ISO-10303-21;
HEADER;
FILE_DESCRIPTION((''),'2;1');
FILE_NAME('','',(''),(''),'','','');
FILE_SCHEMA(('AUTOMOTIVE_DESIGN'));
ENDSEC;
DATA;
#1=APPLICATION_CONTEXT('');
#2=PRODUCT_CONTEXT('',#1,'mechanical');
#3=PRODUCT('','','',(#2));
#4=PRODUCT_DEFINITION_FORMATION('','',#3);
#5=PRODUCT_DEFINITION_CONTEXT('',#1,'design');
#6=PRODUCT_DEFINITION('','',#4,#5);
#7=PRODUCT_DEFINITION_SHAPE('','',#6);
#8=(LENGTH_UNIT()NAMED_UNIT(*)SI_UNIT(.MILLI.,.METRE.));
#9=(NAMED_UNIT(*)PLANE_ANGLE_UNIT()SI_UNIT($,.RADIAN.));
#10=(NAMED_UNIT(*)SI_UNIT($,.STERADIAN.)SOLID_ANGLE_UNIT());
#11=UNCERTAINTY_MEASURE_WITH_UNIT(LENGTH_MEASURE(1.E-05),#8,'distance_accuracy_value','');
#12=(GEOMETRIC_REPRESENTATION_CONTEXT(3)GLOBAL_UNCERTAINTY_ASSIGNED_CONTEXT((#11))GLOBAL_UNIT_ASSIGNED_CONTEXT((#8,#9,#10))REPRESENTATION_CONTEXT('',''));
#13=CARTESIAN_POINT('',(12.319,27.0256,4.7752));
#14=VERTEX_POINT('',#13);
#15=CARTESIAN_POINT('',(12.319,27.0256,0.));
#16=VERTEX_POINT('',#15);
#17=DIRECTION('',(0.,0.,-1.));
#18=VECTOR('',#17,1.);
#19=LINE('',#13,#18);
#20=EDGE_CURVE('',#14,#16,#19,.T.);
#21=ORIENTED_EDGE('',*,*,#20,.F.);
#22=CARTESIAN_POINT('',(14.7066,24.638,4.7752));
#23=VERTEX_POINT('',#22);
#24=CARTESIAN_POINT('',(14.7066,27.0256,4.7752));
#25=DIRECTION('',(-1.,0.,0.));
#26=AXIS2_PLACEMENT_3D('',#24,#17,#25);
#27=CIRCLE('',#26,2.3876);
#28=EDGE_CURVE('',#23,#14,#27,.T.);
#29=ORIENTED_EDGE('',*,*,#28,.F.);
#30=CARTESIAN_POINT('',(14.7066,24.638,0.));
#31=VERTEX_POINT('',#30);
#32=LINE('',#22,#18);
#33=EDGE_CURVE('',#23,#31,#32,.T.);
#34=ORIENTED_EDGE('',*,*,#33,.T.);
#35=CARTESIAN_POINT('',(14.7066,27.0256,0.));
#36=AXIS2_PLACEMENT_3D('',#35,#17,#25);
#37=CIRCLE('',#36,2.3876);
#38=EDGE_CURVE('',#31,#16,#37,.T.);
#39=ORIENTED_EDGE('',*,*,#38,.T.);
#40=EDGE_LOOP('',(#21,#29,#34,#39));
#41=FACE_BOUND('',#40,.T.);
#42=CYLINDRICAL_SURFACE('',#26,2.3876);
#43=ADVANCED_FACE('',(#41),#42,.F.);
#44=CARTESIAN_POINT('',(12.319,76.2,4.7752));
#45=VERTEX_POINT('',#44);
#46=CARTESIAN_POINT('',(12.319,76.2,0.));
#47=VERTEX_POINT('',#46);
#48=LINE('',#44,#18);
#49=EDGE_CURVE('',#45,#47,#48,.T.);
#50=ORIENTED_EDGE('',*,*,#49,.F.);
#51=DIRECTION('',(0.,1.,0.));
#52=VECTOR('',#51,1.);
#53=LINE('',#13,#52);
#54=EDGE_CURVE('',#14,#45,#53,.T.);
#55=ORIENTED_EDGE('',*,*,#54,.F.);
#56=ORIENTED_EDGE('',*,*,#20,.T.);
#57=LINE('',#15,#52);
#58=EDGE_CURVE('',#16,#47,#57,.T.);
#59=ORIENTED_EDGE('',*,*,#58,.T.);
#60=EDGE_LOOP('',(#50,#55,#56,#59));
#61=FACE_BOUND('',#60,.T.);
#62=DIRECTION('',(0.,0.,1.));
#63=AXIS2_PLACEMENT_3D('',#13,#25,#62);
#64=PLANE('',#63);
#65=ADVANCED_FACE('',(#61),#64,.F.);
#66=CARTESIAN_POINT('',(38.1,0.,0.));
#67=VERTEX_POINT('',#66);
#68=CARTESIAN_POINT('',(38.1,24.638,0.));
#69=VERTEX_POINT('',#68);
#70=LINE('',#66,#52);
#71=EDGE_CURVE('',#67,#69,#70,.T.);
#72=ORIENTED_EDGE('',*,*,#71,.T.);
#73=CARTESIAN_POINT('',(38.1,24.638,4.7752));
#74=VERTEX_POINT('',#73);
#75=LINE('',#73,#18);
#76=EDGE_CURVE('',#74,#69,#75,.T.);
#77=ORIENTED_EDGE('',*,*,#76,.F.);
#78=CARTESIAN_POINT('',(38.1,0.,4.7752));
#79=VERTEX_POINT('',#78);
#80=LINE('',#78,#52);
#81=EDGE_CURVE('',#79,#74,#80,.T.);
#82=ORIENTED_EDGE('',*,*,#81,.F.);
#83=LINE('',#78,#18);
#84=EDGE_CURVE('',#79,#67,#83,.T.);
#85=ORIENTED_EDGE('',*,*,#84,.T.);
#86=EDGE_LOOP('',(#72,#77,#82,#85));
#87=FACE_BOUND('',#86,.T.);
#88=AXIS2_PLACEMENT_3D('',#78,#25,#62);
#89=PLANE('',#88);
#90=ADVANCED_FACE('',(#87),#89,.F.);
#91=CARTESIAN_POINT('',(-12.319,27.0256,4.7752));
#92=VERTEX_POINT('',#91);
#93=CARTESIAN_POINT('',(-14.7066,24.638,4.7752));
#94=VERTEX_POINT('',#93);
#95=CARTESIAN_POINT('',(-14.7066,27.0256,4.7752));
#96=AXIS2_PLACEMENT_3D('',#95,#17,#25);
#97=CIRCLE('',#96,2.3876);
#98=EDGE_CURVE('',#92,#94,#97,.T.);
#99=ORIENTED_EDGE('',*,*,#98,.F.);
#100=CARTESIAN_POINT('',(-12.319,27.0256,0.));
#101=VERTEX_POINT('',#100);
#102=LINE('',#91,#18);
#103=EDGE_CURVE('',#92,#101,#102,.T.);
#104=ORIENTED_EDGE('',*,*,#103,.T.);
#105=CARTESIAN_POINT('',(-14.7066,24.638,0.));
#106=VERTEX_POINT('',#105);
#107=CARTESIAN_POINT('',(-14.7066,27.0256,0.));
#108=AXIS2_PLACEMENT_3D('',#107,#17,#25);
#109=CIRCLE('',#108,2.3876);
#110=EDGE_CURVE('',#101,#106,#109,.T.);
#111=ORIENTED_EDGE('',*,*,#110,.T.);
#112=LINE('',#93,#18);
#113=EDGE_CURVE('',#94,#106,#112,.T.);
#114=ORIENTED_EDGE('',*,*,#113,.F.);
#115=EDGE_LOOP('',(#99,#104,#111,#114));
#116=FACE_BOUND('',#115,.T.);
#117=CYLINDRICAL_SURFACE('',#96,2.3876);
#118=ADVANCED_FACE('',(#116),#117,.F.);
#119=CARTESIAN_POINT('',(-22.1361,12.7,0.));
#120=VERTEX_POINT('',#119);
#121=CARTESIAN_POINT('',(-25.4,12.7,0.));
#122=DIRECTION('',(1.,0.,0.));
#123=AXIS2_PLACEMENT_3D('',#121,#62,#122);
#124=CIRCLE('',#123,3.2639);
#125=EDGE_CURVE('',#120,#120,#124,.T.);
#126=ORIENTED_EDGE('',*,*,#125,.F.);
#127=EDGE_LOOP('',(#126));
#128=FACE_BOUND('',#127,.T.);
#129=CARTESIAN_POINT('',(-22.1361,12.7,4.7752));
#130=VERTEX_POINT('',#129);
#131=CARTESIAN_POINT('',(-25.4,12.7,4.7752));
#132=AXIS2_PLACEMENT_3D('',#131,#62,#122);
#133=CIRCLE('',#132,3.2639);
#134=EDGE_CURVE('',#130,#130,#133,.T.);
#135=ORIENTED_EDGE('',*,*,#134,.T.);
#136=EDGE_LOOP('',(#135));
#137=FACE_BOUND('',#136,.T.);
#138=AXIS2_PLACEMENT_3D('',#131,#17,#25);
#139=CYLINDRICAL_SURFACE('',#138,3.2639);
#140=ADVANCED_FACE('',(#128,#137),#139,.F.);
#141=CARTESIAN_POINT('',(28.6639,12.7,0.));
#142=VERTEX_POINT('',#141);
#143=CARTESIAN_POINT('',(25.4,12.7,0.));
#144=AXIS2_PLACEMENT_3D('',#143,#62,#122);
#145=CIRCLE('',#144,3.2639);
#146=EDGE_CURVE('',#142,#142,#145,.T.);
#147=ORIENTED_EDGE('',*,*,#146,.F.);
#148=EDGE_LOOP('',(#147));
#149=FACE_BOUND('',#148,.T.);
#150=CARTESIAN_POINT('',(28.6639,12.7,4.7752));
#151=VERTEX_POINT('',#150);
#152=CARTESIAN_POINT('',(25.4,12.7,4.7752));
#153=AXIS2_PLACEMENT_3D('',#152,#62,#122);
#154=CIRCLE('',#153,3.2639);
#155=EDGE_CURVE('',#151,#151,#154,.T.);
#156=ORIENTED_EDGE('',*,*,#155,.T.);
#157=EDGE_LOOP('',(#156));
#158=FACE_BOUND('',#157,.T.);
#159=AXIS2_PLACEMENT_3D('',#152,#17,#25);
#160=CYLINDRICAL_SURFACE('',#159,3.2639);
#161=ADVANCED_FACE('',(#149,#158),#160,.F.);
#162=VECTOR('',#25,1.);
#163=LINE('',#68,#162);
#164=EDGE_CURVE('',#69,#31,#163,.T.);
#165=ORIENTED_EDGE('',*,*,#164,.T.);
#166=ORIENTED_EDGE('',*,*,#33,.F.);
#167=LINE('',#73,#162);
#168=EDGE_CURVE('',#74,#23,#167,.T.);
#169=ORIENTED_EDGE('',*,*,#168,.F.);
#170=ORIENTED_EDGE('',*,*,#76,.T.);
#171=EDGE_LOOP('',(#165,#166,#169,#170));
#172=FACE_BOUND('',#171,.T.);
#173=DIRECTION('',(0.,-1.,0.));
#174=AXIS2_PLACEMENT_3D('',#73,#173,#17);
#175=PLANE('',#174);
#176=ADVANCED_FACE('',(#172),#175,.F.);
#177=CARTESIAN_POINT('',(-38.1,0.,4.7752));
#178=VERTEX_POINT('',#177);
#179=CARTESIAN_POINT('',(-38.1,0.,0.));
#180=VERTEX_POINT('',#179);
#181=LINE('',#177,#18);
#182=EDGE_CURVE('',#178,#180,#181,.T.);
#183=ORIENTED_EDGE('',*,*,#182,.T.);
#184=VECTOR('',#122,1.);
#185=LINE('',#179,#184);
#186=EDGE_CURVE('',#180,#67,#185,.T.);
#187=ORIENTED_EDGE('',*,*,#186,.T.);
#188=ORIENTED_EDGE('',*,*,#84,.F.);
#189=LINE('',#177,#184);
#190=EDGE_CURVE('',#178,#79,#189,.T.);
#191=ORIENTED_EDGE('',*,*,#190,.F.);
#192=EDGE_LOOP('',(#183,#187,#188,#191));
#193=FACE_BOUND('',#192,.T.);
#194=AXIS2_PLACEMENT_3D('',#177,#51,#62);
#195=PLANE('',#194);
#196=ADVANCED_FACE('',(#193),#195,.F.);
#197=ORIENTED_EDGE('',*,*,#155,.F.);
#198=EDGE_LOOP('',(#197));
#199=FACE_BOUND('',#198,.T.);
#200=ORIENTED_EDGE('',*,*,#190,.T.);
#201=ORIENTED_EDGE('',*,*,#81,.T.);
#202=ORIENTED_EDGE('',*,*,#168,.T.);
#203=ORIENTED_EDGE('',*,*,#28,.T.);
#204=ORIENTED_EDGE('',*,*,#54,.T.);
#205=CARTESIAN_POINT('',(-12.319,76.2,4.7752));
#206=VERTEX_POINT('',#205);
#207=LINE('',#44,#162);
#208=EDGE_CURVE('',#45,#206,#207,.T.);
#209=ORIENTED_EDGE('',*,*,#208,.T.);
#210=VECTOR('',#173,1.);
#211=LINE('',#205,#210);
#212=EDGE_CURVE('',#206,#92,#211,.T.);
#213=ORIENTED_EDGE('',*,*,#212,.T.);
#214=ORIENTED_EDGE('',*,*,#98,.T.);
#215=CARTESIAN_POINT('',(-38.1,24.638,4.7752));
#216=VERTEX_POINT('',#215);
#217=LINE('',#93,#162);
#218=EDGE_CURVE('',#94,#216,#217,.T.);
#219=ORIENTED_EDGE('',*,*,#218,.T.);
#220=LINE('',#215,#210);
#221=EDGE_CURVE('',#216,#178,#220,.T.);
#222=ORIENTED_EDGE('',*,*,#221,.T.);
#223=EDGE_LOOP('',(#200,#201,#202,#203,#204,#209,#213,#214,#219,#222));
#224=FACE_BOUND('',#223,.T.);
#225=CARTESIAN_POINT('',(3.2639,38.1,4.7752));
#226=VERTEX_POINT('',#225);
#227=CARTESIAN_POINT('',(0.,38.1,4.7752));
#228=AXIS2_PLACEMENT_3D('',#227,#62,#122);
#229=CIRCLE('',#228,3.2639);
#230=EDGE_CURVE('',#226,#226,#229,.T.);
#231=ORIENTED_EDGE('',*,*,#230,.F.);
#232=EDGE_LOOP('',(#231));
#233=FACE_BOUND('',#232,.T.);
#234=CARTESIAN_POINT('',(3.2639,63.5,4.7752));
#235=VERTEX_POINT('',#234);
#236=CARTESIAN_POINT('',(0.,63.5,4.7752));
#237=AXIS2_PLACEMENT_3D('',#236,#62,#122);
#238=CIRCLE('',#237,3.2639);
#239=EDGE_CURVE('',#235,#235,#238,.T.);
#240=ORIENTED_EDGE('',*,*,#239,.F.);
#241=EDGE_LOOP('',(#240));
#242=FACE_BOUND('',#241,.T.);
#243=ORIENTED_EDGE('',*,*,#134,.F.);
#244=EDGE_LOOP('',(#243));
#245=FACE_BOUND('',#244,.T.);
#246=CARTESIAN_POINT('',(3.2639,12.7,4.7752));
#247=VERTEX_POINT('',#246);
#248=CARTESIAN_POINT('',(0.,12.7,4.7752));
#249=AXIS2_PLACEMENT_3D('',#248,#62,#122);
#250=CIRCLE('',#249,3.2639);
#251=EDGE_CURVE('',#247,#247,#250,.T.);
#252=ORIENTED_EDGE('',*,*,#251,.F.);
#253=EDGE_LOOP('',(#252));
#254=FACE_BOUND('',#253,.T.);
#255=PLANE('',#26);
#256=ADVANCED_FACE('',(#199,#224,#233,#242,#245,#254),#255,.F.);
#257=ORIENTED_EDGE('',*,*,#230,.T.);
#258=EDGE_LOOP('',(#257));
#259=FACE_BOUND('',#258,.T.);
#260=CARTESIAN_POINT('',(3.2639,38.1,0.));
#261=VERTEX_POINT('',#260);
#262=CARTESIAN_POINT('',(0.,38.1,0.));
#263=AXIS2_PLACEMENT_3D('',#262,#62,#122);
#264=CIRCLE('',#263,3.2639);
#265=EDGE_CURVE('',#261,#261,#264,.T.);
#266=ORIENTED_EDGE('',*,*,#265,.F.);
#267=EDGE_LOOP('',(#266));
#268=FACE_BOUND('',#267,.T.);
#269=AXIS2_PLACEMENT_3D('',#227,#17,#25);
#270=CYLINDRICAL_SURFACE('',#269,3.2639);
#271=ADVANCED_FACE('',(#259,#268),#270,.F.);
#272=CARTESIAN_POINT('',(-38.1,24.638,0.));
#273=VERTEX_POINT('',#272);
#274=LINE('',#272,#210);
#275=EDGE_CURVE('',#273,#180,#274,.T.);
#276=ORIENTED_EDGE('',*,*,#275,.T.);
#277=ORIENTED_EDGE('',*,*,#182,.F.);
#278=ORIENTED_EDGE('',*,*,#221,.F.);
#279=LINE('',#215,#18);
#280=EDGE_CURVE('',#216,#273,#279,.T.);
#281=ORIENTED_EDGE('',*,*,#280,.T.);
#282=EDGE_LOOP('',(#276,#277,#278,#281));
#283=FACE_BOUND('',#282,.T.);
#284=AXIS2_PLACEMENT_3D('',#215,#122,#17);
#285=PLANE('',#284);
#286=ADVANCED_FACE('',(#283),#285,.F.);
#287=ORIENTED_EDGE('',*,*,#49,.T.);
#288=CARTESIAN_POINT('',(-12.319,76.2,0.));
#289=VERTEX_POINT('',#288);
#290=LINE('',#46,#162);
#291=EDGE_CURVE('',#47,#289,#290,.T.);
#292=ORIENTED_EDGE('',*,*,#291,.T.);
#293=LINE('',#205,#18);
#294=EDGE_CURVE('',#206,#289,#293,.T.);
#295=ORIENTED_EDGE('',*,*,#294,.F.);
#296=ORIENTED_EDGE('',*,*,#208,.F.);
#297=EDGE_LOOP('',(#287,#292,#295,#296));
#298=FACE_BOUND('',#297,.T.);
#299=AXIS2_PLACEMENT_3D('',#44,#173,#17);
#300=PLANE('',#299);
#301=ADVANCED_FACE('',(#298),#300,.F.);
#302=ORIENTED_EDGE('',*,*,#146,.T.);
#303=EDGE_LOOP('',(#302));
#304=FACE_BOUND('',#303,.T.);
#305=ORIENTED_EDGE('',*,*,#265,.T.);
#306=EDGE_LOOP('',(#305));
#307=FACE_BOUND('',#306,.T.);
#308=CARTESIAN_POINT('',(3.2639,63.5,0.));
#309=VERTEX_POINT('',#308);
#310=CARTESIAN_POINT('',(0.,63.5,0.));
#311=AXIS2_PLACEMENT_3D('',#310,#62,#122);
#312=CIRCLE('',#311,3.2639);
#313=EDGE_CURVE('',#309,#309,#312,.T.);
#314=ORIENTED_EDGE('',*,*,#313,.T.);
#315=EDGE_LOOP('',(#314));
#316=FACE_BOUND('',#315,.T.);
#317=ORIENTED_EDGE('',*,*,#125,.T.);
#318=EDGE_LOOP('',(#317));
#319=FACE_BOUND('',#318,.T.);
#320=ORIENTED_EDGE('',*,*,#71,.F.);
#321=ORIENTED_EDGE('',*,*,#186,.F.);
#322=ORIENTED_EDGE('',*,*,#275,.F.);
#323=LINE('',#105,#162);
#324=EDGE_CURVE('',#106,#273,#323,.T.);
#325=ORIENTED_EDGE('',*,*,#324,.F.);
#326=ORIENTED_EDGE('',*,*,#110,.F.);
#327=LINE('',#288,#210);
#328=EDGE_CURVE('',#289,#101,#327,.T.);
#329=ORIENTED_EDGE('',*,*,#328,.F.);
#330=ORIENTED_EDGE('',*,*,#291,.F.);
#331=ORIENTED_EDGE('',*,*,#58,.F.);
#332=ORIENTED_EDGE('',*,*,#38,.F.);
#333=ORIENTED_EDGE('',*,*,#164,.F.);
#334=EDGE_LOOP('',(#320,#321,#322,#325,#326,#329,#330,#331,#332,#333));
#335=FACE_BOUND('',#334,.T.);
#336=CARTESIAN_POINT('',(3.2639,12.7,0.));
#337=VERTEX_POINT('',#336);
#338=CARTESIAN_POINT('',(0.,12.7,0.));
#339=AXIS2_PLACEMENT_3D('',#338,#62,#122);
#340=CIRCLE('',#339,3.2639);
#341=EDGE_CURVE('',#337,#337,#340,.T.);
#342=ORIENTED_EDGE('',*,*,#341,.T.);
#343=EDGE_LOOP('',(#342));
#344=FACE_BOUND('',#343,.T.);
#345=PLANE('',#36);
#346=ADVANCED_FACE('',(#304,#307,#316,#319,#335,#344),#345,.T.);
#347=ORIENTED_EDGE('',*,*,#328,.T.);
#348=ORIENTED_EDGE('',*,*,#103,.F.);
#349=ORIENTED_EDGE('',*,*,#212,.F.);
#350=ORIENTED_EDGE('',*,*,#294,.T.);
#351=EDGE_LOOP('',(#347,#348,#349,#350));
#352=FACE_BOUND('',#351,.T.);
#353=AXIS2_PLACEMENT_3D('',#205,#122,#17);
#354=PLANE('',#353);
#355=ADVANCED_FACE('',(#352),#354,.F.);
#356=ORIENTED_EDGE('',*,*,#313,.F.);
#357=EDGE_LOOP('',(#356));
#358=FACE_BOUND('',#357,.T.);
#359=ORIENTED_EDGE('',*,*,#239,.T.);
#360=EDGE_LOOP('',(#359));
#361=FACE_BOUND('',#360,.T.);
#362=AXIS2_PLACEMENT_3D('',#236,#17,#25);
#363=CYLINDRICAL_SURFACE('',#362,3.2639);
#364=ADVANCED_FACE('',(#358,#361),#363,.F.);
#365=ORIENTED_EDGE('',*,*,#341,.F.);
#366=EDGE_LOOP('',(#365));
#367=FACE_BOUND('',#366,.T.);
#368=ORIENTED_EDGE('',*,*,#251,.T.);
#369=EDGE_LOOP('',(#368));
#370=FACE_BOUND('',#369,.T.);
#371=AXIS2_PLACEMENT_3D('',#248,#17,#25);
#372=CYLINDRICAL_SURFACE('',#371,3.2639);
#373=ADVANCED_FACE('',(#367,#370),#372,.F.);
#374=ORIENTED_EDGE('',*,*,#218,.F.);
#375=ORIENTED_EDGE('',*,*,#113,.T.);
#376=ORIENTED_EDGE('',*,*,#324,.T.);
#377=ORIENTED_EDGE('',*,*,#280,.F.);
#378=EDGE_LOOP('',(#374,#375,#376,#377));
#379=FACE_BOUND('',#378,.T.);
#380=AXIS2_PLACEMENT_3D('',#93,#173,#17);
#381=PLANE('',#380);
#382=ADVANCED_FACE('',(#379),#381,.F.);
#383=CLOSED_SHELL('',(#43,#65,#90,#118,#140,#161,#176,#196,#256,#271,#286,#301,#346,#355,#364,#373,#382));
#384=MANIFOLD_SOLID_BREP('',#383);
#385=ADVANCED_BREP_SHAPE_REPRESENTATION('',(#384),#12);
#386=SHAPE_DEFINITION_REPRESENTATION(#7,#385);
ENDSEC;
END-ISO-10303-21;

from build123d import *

# Parameters (mm, degrees)
SKETCH1_R           = 3.2639
BOSS_EXTRUDE1_DEPTH = 4.7752


with BuildPart() as part:
    # Sketch1 → Boss-Extrude1 (new body)
    with BuildSketch(Plane.XY):
        with BuildLine():
            Line((-38.1, 0), (38.1, 0))
            Line((38.1, 0), (38.1, 24.638))
            Line((38.1, 24.638), (14.7066, 24.638))
            ThreePointArc((14.7066, 24.638), (13.018311849, 25.337311849), (12.319, 27.0256))
            Line((12.319, 27.0256), (12.319, 76.2))
            Line((12.319, 76.2), (-12.319, 76.2))
            Line((-12.319, 76.2), (-12.319, 27.0256))
            ThreePointArc((-12.319, 27.0256), (-13.018311849, 25.337311849), (-14.7066, 24.638))
            Line((-14.7066, 24.638), (-38.1, 24.638))
            Line((-38.1, 24.638), (-38.1, 0))
        make_face()
        with Locations((25.4, 12.7)):
            Circle(SKETCH1_R, mode=Mode.SUBTRACT)
        with Locations((0, 38.1)):
            Circle(SKETCH1_R, mode=Mode.SUBTRACT)
        with Locations((0, 63.5)):
            Circle(SKETCH1_R, mode=Mode.SUBTRACT)
        with Locations((0, 12.7)):
            Circle(SKETCH1_R, mode=Mode.SUBTRACT)
        with Locations((-25.4, 12.7)):
            Circle(SKETCH1_R, mode=Mode.SUBTRACT)
    extrude(amount=BOSS_EXTRUDE1_DEPTH)


solid = part.part
